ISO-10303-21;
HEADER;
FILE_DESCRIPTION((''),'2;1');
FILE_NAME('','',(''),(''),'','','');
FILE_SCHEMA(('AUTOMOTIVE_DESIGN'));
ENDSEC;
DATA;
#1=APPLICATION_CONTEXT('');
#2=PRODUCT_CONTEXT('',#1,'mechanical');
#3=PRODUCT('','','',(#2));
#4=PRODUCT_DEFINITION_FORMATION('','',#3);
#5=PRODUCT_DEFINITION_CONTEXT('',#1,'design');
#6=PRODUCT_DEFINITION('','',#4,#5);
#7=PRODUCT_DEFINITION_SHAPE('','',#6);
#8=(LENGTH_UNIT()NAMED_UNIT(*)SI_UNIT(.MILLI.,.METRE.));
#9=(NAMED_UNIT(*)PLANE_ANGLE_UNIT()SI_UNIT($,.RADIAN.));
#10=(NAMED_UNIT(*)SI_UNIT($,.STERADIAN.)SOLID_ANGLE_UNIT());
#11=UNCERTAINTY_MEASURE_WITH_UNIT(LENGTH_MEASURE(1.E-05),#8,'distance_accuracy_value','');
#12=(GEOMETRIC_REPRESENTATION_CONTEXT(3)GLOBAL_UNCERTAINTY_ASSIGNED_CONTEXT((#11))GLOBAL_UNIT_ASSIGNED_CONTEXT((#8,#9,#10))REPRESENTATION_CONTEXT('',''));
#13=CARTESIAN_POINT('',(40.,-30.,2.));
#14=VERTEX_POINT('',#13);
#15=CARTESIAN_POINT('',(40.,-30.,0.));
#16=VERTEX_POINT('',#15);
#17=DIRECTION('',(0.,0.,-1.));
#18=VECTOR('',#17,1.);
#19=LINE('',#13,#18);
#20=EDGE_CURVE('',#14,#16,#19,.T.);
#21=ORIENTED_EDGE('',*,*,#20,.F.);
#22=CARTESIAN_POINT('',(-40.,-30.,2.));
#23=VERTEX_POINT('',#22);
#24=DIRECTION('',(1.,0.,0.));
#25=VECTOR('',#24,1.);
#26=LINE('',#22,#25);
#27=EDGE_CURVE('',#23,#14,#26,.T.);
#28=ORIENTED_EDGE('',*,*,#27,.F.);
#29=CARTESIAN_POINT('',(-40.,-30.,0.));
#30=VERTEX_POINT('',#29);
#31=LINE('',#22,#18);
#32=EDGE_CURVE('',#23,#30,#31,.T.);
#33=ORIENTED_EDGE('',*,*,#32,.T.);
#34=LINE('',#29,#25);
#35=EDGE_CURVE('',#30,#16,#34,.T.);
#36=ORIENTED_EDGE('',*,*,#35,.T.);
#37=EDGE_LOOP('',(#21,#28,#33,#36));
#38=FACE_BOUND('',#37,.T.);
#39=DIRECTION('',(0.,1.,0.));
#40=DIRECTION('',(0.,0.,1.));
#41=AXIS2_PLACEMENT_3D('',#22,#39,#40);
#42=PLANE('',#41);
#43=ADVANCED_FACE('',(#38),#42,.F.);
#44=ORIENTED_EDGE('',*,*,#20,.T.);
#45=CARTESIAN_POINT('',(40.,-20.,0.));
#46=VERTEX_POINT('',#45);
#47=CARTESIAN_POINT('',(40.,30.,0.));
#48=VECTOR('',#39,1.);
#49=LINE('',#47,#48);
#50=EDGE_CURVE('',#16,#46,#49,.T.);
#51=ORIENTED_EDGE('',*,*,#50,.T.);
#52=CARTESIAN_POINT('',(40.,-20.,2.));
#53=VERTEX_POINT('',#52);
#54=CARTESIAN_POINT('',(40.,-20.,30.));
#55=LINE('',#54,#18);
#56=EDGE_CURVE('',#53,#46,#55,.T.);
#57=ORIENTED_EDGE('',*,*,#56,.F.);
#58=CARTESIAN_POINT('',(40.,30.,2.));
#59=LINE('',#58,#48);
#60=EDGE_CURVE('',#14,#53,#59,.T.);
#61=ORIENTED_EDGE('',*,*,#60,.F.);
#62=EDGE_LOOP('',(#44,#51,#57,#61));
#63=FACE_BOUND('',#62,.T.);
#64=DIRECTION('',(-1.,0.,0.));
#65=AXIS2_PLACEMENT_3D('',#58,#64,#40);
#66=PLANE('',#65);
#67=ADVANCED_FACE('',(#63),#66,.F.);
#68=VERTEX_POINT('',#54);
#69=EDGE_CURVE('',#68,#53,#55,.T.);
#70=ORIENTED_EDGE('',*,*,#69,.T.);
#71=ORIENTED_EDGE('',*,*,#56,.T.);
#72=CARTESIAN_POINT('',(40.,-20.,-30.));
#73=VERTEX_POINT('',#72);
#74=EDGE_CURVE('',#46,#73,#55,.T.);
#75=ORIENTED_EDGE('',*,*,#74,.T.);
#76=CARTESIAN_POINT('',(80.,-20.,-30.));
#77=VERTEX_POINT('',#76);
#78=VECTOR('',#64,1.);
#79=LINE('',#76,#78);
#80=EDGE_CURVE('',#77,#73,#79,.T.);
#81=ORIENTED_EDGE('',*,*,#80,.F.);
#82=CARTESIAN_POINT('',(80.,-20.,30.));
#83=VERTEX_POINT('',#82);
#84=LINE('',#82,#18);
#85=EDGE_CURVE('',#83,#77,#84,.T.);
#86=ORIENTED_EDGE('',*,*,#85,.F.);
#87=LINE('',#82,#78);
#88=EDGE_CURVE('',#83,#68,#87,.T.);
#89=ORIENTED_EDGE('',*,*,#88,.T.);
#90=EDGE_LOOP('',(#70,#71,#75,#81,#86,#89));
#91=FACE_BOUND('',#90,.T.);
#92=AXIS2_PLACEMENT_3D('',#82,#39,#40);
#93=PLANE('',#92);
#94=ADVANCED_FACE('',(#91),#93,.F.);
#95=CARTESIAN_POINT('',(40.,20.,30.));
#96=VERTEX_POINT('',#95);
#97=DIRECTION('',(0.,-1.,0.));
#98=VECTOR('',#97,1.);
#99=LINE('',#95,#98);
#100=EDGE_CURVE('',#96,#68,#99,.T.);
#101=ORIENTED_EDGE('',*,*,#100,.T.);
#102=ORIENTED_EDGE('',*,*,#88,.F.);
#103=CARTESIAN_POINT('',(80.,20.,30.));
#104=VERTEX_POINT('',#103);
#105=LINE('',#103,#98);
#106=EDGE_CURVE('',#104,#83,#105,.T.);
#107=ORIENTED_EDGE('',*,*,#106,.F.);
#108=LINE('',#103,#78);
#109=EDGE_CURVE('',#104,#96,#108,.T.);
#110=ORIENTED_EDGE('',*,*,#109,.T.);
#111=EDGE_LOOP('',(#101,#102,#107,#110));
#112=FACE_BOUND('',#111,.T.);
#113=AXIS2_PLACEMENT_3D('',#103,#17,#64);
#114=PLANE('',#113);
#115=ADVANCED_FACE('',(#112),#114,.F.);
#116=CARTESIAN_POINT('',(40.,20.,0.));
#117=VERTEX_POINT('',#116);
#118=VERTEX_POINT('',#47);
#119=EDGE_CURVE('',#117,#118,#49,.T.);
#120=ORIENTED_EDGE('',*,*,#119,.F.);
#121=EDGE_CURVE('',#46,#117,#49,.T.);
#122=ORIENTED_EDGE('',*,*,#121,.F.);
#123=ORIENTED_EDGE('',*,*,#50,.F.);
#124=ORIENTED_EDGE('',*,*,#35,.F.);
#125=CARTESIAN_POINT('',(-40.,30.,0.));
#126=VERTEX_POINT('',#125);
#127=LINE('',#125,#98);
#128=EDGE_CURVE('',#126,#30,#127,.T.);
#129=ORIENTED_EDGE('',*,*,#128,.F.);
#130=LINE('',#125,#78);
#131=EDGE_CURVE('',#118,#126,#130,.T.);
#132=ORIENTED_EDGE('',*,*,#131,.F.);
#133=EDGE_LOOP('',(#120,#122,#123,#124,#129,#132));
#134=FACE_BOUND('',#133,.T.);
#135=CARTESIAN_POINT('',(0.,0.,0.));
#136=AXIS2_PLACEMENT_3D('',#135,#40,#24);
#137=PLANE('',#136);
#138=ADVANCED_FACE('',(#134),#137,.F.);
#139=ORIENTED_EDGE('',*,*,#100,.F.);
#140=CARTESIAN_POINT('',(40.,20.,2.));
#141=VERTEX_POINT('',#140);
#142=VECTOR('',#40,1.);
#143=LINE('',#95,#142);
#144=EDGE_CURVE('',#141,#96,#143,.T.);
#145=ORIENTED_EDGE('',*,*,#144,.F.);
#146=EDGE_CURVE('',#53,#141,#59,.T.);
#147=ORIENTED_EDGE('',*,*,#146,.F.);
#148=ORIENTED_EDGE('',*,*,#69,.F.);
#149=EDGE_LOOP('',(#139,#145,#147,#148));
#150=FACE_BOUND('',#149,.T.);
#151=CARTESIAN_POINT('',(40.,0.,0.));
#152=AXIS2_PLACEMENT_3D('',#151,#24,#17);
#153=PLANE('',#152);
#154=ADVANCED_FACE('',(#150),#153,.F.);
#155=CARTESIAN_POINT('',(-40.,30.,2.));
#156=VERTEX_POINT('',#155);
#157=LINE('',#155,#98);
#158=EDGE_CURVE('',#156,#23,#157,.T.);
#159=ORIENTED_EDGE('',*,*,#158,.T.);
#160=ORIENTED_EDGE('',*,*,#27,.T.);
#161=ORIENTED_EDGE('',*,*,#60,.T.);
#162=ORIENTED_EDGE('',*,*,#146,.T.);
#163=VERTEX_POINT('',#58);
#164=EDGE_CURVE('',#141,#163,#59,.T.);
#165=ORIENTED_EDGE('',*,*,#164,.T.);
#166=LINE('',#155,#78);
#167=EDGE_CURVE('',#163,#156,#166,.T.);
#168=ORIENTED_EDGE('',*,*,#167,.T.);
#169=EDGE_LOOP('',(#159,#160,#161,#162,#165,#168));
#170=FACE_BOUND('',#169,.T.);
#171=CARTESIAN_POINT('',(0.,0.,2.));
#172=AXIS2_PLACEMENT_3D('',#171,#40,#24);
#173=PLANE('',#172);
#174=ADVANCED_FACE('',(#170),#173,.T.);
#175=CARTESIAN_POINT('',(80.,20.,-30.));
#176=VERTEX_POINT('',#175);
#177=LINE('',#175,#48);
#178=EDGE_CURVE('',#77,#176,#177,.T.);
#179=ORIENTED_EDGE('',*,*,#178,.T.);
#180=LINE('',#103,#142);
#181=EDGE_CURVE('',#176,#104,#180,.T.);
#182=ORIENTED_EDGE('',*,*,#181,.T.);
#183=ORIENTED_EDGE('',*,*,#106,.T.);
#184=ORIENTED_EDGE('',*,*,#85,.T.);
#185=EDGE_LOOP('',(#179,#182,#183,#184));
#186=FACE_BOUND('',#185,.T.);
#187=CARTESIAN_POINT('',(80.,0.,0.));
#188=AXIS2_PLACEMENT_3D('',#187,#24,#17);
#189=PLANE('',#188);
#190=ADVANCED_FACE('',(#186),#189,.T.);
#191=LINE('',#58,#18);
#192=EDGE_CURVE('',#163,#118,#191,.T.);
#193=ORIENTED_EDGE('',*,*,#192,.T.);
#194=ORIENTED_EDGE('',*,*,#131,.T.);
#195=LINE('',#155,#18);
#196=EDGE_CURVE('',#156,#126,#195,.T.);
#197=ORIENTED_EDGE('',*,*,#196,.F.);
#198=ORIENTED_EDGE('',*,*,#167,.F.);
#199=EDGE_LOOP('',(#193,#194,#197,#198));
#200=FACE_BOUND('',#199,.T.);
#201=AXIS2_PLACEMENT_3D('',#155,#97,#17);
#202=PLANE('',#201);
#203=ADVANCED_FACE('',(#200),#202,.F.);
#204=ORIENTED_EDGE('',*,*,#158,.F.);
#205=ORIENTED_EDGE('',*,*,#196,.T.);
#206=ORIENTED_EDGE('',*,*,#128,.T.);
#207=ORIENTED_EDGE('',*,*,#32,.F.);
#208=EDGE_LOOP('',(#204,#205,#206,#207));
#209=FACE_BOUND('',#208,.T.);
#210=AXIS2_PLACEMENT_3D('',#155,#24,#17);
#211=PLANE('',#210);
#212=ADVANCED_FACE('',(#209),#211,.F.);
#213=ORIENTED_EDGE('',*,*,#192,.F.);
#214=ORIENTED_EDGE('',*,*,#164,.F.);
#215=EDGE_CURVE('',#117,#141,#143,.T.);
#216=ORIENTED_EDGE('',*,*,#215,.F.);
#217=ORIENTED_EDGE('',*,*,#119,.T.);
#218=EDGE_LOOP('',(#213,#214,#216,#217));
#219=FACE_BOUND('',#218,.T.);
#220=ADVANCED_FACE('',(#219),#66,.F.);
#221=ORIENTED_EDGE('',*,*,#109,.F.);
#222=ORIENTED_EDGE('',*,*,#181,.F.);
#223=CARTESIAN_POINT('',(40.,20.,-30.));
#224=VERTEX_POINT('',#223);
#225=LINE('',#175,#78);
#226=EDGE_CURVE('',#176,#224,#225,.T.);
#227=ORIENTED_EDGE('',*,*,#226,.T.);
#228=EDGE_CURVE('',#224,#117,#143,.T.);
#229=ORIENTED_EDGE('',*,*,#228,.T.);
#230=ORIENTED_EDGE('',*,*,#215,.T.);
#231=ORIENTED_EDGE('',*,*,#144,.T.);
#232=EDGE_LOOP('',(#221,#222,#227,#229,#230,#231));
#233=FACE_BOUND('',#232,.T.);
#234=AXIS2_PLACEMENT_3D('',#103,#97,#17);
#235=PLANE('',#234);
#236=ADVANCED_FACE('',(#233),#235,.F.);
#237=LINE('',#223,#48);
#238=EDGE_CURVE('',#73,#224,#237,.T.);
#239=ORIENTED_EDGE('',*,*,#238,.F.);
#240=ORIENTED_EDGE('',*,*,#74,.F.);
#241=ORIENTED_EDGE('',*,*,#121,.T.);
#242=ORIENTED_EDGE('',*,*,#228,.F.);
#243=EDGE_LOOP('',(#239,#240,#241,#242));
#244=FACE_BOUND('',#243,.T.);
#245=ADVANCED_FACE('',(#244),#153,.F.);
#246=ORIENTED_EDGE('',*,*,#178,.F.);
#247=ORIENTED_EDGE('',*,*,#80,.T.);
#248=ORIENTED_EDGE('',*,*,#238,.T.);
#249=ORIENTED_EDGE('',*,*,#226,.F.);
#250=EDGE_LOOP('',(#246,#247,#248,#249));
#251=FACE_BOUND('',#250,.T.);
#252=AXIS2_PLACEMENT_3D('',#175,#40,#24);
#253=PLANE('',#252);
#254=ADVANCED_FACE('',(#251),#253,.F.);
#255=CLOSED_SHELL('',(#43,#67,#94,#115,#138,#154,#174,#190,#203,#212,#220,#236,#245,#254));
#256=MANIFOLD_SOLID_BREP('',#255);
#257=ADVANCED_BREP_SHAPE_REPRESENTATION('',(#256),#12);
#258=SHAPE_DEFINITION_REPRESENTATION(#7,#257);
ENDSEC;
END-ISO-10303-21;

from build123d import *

# Parameters (mm, degrees)
SKETCH_2_W      = 80
SKETCH_2_H      = 60
EXTRUDE_1_DEPTH = 2
SKETCH_3_W      = 60
SKETCH_3_H      = 40
EXTRUDE_2_DEPTH = 40


with BuildPart() as part:
    # 草图2 → 凸台-拉伸1 (new body)
    with BuildSketch(Plane.XY):
        Rectangle(SKETCH_2_W, SKETCH_2_H)
    extrude(amount=EXTRUDE_1_DEPTH)

    # 草图3 → 凸台-拉伸2 (add)
    with BuildSketch(Plane(origin=(40, 0, 0), x_dir=(0, 0, -1), z_dir=(1, 0, 0))):
        Rectangle(SKETCH_3_W, SKETCH_3_H)
    extrude(amount=EXTRUDE_2_DEPTH)


solid = part.part
